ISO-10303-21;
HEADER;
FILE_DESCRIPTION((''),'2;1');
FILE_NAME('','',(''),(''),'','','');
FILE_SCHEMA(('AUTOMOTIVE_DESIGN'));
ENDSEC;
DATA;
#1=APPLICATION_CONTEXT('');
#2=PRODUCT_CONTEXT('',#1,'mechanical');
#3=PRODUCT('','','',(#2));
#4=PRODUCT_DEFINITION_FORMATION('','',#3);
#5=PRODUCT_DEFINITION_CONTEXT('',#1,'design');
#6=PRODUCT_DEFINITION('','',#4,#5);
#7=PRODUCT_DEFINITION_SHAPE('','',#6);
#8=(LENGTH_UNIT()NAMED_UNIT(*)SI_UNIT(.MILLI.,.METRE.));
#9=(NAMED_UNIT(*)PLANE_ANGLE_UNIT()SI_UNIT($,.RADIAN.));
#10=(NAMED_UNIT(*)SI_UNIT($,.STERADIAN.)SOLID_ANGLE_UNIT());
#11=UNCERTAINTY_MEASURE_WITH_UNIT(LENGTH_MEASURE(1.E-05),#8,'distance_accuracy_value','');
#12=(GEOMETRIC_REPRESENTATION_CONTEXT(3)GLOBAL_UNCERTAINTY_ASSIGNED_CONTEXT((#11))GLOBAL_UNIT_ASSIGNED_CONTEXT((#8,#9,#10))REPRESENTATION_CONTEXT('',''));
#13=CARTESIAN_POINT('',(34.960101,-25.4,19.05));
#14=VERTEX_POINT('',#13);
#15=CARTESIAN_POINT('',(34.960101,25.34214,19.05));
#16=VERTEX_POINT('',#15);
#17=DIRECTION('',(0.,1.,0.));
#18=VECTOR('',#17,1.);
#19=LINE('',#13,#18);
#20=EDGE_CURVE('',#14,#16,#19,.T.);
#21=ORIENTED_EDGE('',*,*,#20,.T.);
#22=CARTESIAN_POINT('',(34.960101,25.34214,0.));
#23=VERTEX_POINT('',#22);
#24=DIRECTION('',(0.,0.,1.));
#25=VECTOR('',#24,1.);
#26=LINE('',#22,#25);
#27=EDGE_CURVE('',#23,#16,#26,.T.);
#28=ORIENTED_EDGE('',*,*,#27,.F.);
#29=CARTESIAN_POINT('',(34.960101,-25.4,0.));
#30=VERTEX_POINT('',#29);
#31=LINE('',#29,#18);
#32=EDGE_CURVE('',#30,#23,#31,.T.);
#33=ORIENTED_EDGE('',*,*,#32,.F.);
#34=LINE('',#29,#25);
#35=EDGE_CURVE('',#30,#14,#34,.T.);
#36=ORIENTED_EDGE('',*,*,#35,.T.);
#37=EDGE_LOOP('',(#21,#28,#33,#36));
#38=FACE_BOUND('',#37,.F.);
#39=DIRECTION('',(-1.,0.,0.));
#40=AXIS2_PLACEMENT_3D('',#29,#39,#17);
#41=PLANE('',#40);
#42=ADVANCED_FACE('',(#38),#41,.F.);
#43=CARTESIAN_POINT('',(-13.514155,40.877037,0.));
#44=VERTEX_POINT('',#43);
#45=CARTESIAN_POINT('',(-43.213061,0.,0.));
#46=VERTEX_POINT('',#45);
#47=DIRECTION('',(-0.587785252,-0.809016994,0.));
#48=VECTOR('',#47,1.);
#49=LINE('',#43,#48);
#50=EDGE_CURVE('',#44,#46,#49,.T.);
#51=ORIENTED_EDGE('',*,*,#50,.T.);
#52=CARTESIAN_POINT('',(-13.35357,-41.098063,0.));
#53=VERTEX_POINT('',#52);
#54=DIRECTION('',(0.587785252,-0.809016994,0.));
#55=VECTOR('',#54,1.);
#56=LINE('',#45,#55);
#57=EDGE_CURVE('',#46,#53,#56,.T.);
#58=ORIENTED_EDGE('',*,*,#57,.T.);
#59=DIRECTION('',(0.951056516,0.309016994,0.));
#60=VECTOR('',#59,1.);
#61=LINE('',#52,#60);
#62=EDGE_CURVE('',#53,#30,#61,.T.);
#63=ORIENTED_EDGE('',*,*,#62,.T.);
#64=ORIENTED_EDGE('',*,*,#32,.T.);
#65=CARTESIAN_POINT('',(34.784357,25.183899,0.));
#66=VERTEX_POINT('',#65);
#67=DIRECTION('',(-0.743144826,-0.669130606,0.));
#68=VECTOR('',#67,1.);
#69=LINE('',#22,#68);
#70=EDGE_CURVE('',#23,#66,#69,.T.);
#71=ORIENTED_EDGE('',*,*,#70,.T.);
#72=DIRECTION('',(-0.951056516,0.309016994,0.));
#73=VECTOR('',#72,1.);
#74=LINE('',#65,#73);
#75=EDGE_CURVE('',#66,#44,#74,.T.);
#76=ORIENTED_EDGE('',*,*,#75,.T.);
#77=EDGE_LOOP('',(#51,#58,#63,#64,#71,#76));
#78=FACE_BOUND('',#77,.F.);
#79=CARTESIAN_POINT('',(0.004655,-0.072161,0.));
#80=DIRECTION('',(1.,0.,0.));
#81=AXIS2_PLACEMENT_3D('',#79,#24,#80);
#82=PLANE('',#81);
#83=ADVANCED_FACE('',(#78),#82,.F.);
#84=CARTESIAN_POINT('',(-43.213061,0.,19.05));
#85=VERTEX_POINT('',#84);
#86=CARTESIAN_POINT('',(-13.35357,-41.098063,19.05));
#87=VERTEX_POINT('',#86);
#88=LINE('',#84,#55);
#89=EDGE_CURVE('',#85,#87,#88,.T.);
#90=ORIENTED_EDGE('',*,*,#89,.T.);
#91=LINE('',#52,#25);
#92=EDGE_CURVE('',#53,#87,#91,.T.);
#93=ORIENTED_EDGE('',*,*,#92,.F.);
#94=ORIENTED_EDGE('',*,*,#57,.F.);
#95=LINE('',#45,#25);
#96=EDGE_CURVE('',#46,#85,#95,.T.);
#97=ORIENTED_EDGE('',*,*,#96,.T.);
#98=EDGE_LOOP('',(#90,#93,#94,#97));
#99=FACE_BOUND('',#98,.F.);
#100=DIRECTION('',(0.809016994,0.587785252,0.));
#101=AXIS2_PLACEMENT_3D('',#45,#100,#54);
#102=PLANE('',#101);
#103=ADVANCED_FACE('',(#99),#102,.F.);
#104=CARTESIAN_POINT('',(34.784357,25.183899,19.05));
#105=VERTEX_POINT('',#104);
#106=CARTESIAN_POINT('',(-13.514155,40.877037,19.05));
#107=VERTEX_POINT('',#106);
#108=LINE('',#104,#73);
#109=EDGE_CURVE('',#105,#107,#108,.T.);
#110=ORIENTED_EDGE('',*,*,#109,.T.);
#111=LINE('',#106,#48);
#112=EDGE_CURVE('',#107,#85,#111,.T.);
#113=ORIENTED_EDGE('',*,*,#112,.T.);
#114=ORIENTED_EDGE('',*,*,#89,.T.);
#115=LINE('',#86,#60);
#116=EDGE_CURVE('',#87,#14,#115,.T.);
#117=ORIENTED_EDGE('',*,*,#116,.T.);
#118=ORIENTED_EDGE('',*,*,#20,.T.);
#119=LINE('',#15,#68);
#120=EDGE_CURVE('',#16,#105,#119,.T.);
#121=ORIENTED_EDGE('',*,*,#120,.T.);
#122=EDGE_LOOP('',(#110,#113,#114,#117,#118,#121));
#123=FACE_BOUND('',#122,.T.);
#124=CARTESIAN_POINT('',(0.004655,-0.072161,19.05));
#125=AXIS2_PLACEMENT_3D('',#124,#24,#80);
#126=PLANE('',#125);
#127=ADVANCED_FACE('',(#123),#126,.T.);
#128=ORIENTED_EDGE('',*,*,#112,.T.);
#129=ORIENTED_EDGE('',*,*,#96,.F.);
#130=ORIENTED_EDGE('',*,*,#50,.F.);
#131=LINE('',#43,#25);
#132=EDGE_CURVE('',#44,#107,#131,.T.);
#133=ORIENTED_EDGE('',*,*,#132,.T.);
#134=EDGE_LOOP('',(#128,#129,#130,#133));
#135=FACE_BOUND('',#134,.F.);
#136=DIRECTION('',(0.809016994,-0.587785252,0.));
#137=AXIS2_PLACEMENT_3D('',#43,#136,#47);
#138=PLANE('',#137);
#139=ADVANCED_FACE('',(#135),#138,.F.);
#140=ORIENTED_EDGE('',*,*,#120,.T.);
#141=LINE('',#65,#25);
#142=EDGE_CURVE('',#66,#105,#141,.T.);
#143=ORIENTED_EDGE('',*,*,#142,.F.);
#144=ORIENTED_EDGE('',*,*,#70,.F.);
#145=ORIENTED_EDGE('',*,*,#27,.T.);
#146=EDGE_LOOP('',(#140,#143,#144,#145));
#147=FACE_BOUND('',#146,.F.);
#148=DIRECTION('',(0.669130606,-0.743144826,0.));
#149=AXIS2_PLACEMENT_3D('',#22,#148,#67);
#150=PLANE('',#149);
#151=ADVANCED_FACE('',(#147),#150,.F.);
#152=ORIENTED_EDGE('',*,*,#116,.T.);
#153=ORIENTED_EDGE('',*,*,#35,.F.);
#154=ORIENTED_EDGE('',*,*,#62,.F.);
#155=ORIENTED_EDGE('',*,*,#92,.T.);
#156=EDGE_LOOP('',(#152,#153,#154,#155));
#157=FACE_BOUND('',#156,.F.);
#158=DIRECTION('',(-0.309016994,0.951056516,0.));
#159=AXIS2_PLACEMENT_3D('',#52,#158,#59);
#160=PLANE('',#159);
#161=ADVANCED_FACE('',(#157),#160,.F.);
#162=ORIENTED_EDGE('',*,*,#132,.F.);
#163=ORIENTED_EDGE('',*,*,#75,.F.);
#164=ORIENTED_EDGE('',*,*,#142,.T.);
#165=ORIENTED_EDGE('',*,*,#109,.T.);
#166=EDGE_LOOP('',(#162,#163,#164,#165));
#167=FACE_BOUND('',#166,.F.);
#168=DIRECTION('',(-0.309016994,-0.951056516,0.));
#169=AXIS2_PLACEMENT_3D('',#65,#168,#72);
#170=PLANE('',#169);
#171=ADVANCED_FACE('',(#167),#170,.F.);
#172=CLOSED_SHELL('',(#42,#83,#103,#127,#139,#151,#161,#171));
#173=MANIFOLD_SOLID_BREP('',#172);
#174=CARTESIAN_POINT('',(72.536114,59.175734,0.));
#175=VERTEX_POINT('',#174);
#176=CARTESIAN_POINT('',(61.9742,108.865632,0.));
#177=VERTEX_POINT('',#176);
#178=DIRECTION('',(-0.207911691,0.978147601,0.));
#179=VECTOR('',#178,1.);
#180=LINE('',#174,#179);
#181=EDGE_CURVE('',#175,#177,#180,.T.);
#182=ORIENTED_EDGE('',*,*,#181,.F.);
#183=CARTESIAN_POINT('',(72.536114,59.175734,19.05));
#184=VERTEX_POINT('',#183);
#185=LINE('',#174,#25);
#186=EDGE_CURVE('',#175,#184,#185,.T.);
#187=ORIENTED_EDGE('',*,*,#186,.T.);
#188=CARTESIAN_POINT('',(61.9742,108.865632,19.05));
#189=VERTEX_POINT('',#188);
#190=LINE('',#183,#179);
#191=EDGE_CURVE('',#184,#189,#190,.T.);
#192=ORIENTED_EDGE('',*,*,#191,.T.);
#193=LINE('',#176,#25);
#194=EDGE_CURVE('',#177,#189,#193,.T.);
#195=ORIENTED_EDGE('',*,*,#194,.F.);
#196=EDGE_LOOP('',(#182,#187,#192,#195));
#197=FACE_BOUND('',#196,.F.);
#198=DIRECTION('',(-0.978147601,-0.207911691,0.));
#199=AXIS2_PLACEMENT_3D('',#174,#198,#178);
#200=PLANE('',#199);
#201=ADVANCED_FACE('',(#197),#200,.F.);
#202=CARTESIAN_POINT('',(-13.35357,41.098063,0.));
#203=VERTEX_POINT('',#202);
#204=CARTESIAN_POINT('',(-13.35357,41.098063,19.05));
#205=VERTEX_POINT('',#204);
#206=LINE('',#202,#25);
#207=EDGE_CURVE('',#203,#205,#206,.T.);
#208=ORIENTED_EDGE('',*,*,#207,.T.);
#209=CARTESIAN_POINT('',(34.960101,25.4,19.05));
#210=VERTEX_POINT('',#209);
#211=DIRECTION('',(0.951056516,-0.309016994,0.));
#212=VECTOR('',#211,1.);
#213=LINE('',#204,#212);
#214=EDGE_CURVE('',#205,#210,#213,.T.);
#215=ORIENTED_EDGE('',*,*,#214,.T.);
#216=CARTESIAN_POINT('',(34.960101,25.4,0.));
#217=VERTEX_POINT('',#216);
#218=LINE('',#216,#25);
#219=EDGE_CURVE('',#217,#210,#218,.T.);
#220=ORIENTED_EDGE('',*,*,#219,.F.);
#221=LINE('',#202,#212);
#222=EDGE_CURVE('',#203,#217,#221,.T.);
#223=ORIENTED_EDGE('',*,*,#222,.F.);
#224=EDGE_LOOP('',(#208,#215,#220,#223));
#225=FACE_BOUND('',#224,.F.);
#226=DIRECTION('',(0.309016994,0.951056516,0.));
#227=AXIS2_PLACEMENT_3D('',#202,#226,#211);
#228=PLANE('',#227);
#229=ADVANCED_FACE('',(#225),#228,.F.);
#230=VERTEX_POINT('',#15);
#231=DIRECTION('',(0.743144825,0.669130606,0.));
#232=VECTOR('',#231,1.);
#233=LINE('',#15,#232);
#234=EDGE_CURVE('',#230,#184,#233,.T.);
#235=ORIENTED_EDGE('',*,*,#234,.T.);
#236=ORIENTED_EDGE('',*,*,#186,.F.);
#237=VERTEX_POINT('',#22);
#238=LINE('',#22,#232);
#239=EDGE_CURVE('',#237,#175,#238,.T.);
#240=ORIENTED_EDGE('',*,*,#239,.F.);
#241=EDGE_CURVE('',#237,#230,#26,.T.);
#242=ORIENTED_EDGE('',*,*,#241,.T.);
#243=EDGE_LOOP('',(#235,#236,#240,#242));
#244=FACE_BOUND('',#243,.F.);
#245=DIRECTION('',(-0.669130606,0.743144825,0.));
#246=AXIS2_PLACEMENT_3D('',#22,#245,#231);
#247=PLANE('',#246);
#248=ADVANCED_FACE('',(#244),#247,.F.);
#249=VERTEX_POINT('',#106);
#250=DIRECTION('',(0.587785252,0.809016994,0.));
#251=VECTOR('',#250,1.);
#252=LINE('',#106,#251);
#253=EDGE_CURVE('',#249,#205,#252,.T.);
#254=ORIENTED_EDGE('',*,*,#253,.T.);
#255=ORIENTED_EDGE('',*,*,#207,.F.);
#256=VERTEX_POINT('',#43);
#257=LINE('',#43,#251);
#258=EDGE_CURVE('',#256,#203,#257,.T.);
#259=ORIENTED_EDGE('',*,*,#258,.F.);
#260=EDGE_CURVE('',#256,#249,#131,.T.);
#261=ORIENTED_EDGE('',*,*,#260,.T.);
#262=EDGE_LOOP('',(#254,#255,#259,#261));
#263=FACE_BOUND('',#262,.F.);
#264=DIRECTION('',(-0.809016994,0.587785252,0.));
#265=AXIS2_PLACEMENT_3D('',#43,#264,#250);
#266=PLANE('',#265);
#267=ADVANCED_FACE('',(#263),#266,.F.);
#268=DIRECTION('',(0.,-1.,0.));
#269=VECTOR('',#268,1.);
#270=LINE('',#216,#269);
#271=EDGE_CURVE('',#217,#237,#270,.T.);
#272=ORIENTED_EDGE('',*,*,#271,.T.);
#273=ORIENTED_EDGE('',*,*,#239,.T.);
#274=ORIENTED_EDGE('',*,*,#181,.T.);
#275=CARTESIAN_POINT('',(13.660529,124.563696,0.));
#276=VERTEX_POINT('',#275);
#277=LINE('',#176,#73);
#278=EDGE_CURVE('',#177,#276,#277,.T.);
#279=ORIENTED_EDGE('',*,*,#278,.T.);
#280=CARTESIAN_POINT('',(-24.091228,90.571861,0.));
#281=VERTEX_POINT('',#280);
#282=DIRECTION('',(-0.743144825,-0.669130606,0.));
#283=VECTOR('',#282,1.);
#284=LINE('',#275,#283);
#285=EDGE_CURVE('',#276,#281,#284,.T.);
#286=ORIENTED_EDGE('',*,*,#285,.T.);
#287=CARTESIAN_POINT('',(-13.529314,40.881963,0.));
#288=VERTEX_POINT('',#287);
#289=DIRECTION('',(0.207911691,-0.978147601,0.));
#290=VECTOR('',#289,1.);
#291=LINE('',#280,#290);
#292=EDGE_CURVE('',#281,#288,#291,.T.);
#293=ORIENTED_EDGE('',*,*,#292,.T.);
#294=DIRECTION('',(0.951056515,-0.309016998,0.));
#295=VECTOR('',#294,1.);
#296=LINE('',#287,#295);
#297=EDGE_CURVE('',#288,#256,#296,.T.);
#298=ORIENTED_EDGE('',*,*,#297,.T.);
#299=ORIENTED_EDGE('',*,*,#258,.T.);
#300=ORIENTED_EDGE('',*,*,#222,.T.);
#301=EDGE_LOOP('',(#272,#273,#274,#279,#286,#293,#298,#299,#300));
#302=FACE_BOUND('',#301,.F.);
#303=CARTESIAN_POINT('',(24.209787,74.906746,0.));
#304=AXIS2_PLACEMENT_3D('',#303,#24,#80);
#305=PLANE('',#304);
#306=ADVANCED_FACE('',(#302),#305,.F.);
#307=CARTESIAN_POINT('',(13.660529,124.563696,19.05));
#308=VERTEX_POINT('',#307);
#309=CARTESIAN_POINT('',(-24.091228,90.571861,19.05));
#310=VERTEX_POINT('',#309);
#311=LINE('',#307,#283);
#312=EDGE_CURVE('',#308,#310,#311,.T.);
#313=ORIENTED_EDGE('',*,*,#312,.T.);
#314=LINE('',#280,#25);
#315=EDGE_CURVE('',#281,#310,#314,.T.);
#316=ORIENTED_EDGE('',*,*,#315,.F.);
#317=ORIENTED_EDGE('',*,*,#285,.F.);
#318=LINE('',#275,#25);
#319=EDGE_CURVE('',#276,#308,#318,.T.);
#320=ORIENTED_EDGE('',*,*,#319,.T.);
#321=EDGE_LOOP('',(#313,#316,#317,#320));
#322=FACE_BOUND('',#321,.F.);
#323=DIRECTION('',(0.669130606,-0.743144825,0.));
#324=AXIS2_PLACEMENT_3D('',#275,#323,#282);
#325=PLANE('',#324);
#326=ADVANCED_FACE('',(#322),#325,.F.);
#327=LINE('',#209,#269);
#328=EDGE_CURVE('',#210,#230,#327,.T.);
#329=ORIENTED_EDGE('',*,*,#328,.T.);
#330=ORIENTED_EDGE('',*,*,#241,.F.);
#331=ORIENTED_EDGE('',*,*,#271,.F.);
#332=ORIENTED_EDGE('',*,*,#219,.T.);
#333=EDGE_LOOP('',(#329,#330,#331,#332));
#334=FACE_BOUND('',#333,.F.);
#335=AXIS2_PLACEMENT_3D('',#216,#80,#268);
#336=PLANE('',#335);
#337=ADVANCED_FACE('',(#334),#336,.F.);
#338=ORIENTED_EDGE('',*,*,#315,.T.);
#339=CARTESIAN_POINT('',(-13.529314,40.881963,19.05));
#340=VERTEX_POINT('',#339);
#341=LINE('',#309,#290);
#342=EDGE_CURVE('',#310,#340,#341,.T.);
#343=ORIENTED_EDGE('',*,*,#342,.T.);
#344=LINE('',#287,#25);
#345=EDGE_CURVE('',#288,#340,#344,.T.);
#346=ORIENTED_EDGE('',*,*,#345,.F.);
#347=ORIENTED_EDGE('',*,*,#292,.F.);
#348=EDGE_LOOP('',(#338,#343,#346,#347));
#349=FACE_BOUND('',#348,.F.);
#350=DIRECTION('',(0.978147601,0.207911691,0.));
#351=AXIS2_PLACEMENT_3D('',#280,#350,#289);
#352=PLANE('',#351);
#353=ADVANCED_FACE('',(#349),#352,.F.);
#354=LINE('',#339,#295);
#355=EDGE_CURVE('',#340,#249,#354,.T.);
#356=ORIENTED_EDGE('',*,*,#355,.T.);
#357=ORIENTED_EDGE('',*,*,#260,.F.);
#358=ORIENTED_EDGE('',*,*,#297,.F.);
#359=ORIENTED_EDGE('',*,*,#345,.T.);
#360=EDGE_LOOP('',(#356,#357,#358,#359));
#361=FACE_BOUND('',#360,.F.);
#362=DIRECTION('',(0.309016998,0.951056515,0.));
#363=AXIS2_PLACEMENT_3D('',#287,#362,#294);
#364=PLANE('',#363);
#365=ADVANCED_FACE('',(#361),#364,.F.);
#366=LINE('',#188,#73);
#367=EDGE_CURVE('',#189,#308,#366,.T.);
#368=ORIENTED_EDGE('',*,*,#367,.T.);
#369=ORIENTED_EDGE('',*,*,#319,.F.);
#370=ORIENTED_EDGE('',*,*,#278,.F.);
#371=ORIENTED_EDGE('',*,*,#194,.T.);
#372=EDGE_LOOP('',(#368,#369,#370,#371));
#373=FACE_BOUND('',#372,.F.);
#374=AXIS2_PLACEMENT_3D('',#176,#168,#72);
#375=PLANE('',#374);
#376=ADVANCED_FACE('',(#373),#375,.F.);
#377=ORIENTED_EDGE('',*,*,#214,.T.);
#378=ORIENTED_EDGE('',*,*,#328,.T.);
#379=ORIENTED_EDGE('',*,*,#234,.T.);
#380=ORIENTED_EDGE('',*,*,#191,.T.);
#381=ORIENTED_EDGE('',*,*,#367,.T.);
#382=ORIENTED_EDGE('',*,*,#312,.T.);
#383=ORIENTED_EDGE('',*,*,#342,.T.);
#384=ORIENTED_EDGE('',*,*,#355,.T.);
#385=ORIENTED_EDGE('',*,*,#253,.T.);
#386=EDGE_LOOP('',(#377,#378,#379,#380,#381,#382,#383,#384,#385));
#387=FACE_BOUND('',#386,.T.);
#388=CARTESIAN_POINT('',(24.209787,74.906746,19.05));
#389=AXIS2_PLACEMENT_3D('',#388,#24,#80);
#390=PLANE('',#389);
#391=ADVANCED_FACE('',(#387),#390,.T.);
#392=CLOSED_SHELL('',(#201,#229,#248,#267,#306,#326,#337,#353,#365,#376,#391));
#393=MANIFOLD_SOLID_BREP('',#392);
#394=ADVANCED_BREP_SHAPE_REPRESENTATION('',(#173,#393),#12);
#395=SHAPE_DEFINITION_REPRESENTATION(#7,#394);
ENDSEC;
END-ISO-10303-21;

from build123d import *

# Parameters (mm, degrees)
F1_DEPTH = 19.05
F3_DEPTH = 6.35


with BuildPart() as f1:
    # F0 (on Top) → F1 (new body)
    with BuildSketch(Plane.XY):
        Polygon((34.96010078, -25.4), (34.96010078, 25.3421400921), (34.7843567738, 25.1838994782), (-13.5141550661, 40.8770372737), (-43.2130610643, 0), (-13.3535702478, -41.0980633142), align=None)
    extrude(amount=F1_DEPTH)

    # F2 (on Top) → F3 (join)
    with BuildSketch(Plane.XY):
        Polygon((30.8235474857, 22.3946181123), (-11.7735474857, 36.2352532708), (-38.1, 0), (-11.7735474857, -36.2352532708), (30.8235474857, -22.3946181123), align=None)
    extrude(amount=F3_DEPTH)


with BuildPart() as f1b:
    # F0 (on Top) → F1, piece 2 (new body)
    with BuildSketch(Plane.XY):
        Polygon((-13.3535702478, 41.0980633142), (34.96010078, 25.4), (34.96010078, 25.3421400921), (72.5361139081, 59.1757342813), (61.9742000145, 108.8656323985), (13.6605289867, 124.5636957128), (-24.0912281475, 90.5718609097), (-13.529314254, 40.8819627925), (-13.5141550661, 40.8770372737), align=None)
    extrude(amount=F1_DEPTH)

    # F2 (on Top) → F3, piece 2 (join)
    with BuildSketch(Plane.XY):
        Polygon((65.8560563026, 60.7291496289), (56.7743352886, 103.4552877571), (15.231553757, 116.953355713), (-17.2295067606, 87.7252855408), (-8.1477857467, 44.9991474126), (33.3949957849, 31.5010794567), align=None)
    extrude(amount=F3_DEPTH)


solid = Compound([f1.part, f1b.part])
